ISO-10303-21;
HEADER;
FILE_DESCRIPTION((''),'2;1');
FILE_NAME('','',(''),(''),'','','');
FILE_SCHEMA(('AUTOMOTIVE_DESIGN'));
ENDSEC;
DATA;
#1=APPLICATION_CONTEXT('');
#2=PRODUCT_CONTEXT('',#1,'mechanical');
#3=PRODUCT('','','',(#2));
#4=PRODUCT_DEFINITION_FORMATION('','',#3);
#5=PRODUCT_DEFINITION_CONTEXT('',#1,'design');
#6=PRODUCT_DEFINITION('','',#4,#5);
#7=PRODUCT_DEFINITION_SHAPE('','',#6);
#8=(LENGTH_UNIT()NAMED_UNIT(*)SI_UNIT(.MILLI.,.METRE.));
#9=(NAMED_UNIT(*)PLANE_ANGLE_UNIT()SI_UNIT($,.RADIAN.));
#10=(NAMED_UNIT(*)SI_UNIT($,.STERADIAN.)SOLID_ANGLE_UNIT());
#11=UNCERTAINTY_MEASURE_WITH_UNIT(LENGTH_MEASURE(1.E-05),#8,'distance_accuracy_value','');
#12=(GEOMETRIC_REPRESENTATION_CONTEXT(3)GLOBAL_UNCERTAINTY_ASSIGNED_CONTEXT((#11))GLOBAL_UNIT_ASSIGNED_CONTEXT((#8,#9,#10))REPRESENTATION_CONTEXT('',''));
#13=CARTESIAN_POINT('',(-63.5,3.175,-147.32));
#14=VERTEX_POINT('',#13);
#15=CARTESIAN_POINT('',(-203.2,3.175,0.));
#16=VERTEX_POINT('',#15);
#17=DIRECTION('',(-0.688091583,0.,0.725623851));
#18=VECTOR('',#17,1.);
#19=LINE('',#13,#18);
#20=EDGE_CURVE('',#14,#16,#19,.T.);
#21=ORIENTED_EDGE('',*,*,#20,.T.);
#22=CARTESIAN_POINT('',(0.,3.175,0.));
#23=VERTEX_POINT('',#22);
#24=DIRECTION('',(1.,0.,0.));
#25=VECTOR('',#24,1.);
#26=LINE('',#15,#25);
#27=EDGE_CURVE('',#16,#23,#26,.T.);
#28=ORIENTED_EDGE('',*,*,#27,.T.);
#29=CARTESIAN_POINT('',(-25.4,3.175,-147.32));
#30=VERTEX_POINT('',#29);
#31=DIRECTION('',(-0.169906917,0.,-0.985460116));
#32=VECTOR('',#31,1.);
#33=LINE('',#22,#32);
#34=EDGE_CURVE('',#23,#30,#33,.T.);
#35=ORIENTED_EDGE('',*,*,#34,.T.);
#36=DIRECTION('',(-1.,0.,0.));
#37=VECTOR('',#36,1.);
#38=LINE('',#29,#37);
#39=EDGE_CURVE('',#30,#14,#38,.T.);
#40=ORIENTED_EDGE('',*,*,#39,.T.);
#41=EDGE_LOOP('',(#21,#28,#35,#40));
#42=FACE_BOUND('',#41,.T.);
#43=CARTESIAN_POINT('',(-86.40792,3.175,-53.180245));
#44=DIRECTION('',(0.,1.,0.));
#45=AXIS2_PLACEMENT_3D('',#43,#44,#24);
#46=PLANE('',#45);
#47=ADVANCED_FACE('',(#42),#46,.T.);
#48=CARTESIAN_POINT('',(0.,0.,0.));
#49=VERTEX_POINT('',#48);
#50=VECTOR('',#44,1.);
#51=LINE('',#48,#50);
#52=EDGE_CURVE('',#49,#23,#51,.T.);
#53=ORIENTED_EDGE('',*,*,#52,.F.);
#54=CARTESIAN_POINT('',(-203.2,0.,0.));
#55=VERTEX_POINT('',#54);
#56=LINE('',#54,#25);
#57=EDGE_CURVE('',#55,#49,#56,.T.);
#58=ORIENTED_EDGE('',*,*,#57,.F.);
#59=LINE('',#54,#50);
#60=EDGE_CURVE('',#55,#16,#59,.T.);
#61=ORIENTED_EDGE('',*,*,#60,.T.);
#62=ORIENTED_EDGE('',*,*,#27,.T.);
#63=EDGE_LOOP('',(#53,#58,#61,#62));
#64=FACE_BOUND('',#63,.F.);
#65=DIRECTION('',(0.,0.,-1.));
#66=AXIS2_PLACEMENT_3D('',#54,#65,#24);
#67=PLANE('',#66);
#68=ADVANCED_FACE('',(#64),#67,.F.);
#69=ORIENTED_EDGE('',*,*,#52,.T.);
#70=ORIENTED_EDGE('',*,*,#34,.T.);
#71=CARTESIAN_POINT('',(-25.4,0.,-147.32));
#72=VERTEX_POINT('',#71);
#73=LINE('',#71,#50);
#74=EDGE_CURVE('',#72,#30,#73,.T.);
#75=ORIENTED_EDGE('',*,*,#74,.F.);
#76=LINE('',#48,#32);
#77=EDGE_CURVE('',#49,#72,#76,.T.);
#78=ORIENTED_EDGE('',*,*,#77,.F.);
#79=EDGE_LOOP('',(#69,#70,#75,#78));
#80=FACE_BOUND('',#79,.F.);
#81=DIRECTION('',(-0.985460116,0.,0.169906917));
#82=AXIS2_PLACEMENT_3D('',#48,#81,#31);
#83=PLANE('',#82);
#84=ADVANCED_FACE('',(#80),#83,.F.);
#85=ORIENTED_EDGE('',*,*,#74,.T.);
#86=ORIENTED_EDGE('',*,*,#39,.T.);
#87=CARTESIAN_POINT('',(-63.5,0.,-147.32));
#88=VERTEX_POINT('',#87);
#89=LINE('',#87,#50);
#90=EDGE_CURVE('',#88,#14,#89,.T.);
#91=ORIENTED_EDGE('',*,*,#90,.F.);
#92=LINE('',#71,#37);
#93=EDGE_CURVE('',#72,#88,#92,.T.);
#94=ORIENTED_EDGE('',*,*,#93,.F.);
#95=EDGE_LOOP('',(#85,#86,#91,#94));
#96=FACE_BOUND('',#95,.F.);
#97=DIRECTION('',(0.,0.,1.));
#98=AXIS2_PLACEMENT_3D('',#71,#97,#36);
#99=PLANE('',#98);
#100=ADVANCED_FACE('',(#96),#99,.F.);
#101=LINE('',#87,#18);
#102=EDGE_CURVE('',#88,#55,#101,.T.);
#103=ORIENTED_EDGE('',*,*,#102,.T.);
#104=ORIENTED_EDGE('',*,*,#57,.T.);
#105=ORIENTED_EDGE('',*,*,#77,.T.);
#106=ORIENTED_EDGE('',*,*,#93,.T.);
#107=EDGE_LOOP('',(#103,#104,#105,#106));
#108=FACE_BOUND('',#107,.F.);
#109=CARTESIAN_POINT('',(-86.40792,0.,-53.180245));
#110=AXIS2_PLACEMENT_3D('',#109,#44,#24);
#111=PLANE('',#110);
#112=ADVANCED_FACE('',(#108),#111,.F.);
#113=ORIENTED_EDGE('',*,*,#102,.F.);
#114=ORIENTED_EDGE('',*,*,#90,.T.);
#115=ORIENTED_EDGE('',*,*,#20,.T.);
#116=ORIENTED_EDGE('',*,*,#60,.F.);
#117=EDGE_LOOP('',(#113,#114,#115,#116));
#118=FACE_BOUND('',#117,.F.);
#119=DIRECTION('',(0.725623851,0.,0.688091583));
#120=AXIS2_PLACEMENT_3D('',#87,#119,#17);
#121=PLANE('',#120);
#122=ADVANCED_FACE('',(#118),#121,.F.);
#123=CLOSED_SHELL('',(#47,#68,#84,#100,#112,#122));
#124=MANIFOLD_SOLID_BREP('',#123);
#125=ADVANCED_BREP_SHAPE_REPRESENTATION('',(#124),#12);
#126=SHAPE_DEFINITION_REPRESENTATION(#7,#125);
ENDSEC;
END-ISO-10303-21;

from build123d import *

# Parameters (mm, degrees)
BOSS_EXTRUDE1_DEPTH = 3.175


with BuildPart() as part:
    # Sketch1 → Boss-Extrude1 (new body)
    with BuildSketch(Plane(origin=(0, 0, 0), x_dir=(1, 0, 0), z_dir=(0, 1, 0))):
        Polygon((-203.2, 0), (0, 0), (-25.4, 147.32), (-63.5, 147.32), align=None)
    extrude(amount=BOSS_EXTRUDE1_DEPTH)


solid = part.part
